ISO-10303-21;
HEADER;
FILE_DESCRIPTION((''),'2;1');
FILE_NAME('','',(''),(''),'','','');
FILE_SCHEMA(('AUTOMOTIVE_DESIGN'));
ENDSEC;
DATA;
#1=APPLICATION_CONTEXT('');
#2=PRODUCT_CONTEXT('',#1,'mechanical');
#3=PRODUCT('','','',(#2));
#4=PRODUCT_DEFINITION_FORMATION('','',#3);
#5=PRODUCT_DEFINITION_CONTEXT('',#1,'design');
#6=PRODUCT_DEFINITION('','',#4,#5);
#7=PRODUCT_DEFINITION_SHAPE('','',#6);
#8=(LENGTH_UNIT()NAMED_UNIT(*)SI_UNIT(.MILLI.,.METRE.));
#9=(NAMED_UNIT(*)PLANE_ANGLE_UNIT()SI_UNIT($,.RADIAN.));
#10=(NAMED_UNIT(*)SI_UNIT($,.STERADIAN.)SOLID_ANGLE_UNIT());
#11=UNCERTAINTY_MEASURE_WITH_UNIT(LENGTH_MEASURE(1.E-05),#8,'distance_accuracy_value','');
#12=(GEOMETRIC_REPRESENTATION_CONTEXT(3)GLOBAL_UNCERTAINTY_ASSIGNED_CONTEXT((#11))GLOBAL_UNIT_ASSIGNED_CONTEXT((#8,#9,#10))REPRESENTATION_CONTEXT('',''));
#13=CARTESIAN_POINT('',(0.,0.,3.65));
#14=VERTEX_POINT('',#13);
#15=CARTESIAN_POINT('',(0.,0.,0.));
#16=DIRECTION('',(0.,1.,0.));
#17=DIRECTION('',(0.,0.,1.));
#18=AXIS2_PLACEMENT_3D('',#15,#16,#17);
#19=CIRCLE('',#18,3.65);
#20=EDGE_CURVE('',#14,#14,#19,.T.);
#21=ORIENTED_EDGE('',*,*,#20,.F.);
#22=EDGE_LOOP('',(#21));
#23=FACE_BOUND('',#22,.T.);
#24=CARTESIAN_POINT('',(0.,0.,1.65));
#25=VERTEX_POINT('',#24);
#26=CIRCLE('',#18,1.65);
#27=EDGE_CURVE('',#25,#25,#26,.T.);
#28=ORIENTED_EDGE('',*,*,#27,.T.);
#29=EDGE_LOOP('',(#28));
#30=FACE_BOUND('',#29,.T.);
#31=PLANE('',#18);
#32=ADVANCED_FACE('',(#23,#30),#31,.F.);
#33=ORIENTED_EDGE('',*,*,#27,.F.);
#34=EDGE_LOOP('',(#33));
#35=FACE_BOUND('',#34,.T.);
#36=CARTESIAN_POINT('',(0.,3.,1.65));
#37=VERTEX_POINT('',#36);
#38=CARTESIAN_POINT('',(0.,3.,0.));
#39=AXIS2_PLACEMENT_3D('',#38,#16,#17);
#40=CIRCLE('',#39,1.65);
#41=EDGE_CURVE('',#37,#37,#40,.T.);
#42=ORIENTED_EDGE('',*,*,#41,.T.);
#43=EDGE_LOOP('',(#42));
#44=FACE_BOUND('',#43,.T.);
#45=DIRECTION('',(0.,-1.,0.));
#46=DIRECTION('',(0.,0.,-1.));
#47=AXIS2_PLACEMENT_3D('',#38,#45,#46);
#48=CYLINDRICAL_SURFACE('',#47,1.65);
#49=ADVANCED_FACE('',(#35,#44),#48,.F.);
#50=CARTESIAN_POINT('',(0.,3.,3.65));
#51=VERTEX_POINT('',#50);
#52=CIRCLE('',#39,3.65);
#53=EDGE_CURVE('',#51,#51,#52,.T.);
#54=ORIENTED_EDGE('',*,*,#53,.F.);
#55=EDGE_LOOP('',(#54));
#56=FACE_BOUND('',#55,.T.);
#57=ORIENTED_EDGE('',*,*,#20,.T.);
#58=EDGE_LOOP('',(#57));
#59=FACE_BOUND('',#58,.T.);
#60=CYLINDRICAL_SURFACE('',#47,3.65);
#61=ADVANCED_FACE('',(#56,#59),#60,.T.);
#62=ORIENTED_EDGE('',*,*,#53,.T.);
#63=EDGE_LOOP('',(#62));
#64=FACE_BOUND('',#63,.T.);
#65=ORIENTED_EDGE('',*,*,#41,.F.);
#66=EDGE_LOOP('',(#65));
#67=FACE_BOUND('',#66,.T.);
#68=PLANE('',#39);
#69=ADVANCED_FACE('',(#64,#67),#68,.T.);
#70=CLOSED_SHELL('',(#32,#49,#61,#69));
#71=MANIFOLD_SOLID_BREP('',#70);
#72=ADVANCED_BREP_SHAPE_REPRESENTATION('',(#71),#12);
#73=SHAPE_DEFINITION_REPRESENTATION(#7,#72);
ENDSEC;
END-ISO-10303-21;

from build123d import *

# Parameters (mm, degrees)
SKETCH_1_R      = 3.65
SKETCH_1_R_2    = 1.65
EXTRUDE_1_DEPTH = 3


with BuildPart() as part:
    # 草图1 → 凸台-拉伸1 (new body)
    with BuildSketch(Plane(origin=(0, 0, 0), x_dir=(1, 0, 0), z_dir=(0, 1, 0))):
        Circle(SKETCH_1_R)
        Circle(SKETCH_1_R_2, mode=Mode.SUBTRACT)
    extrude(amount=EXTRUDE_1_DEPTH)


solid = part.part
